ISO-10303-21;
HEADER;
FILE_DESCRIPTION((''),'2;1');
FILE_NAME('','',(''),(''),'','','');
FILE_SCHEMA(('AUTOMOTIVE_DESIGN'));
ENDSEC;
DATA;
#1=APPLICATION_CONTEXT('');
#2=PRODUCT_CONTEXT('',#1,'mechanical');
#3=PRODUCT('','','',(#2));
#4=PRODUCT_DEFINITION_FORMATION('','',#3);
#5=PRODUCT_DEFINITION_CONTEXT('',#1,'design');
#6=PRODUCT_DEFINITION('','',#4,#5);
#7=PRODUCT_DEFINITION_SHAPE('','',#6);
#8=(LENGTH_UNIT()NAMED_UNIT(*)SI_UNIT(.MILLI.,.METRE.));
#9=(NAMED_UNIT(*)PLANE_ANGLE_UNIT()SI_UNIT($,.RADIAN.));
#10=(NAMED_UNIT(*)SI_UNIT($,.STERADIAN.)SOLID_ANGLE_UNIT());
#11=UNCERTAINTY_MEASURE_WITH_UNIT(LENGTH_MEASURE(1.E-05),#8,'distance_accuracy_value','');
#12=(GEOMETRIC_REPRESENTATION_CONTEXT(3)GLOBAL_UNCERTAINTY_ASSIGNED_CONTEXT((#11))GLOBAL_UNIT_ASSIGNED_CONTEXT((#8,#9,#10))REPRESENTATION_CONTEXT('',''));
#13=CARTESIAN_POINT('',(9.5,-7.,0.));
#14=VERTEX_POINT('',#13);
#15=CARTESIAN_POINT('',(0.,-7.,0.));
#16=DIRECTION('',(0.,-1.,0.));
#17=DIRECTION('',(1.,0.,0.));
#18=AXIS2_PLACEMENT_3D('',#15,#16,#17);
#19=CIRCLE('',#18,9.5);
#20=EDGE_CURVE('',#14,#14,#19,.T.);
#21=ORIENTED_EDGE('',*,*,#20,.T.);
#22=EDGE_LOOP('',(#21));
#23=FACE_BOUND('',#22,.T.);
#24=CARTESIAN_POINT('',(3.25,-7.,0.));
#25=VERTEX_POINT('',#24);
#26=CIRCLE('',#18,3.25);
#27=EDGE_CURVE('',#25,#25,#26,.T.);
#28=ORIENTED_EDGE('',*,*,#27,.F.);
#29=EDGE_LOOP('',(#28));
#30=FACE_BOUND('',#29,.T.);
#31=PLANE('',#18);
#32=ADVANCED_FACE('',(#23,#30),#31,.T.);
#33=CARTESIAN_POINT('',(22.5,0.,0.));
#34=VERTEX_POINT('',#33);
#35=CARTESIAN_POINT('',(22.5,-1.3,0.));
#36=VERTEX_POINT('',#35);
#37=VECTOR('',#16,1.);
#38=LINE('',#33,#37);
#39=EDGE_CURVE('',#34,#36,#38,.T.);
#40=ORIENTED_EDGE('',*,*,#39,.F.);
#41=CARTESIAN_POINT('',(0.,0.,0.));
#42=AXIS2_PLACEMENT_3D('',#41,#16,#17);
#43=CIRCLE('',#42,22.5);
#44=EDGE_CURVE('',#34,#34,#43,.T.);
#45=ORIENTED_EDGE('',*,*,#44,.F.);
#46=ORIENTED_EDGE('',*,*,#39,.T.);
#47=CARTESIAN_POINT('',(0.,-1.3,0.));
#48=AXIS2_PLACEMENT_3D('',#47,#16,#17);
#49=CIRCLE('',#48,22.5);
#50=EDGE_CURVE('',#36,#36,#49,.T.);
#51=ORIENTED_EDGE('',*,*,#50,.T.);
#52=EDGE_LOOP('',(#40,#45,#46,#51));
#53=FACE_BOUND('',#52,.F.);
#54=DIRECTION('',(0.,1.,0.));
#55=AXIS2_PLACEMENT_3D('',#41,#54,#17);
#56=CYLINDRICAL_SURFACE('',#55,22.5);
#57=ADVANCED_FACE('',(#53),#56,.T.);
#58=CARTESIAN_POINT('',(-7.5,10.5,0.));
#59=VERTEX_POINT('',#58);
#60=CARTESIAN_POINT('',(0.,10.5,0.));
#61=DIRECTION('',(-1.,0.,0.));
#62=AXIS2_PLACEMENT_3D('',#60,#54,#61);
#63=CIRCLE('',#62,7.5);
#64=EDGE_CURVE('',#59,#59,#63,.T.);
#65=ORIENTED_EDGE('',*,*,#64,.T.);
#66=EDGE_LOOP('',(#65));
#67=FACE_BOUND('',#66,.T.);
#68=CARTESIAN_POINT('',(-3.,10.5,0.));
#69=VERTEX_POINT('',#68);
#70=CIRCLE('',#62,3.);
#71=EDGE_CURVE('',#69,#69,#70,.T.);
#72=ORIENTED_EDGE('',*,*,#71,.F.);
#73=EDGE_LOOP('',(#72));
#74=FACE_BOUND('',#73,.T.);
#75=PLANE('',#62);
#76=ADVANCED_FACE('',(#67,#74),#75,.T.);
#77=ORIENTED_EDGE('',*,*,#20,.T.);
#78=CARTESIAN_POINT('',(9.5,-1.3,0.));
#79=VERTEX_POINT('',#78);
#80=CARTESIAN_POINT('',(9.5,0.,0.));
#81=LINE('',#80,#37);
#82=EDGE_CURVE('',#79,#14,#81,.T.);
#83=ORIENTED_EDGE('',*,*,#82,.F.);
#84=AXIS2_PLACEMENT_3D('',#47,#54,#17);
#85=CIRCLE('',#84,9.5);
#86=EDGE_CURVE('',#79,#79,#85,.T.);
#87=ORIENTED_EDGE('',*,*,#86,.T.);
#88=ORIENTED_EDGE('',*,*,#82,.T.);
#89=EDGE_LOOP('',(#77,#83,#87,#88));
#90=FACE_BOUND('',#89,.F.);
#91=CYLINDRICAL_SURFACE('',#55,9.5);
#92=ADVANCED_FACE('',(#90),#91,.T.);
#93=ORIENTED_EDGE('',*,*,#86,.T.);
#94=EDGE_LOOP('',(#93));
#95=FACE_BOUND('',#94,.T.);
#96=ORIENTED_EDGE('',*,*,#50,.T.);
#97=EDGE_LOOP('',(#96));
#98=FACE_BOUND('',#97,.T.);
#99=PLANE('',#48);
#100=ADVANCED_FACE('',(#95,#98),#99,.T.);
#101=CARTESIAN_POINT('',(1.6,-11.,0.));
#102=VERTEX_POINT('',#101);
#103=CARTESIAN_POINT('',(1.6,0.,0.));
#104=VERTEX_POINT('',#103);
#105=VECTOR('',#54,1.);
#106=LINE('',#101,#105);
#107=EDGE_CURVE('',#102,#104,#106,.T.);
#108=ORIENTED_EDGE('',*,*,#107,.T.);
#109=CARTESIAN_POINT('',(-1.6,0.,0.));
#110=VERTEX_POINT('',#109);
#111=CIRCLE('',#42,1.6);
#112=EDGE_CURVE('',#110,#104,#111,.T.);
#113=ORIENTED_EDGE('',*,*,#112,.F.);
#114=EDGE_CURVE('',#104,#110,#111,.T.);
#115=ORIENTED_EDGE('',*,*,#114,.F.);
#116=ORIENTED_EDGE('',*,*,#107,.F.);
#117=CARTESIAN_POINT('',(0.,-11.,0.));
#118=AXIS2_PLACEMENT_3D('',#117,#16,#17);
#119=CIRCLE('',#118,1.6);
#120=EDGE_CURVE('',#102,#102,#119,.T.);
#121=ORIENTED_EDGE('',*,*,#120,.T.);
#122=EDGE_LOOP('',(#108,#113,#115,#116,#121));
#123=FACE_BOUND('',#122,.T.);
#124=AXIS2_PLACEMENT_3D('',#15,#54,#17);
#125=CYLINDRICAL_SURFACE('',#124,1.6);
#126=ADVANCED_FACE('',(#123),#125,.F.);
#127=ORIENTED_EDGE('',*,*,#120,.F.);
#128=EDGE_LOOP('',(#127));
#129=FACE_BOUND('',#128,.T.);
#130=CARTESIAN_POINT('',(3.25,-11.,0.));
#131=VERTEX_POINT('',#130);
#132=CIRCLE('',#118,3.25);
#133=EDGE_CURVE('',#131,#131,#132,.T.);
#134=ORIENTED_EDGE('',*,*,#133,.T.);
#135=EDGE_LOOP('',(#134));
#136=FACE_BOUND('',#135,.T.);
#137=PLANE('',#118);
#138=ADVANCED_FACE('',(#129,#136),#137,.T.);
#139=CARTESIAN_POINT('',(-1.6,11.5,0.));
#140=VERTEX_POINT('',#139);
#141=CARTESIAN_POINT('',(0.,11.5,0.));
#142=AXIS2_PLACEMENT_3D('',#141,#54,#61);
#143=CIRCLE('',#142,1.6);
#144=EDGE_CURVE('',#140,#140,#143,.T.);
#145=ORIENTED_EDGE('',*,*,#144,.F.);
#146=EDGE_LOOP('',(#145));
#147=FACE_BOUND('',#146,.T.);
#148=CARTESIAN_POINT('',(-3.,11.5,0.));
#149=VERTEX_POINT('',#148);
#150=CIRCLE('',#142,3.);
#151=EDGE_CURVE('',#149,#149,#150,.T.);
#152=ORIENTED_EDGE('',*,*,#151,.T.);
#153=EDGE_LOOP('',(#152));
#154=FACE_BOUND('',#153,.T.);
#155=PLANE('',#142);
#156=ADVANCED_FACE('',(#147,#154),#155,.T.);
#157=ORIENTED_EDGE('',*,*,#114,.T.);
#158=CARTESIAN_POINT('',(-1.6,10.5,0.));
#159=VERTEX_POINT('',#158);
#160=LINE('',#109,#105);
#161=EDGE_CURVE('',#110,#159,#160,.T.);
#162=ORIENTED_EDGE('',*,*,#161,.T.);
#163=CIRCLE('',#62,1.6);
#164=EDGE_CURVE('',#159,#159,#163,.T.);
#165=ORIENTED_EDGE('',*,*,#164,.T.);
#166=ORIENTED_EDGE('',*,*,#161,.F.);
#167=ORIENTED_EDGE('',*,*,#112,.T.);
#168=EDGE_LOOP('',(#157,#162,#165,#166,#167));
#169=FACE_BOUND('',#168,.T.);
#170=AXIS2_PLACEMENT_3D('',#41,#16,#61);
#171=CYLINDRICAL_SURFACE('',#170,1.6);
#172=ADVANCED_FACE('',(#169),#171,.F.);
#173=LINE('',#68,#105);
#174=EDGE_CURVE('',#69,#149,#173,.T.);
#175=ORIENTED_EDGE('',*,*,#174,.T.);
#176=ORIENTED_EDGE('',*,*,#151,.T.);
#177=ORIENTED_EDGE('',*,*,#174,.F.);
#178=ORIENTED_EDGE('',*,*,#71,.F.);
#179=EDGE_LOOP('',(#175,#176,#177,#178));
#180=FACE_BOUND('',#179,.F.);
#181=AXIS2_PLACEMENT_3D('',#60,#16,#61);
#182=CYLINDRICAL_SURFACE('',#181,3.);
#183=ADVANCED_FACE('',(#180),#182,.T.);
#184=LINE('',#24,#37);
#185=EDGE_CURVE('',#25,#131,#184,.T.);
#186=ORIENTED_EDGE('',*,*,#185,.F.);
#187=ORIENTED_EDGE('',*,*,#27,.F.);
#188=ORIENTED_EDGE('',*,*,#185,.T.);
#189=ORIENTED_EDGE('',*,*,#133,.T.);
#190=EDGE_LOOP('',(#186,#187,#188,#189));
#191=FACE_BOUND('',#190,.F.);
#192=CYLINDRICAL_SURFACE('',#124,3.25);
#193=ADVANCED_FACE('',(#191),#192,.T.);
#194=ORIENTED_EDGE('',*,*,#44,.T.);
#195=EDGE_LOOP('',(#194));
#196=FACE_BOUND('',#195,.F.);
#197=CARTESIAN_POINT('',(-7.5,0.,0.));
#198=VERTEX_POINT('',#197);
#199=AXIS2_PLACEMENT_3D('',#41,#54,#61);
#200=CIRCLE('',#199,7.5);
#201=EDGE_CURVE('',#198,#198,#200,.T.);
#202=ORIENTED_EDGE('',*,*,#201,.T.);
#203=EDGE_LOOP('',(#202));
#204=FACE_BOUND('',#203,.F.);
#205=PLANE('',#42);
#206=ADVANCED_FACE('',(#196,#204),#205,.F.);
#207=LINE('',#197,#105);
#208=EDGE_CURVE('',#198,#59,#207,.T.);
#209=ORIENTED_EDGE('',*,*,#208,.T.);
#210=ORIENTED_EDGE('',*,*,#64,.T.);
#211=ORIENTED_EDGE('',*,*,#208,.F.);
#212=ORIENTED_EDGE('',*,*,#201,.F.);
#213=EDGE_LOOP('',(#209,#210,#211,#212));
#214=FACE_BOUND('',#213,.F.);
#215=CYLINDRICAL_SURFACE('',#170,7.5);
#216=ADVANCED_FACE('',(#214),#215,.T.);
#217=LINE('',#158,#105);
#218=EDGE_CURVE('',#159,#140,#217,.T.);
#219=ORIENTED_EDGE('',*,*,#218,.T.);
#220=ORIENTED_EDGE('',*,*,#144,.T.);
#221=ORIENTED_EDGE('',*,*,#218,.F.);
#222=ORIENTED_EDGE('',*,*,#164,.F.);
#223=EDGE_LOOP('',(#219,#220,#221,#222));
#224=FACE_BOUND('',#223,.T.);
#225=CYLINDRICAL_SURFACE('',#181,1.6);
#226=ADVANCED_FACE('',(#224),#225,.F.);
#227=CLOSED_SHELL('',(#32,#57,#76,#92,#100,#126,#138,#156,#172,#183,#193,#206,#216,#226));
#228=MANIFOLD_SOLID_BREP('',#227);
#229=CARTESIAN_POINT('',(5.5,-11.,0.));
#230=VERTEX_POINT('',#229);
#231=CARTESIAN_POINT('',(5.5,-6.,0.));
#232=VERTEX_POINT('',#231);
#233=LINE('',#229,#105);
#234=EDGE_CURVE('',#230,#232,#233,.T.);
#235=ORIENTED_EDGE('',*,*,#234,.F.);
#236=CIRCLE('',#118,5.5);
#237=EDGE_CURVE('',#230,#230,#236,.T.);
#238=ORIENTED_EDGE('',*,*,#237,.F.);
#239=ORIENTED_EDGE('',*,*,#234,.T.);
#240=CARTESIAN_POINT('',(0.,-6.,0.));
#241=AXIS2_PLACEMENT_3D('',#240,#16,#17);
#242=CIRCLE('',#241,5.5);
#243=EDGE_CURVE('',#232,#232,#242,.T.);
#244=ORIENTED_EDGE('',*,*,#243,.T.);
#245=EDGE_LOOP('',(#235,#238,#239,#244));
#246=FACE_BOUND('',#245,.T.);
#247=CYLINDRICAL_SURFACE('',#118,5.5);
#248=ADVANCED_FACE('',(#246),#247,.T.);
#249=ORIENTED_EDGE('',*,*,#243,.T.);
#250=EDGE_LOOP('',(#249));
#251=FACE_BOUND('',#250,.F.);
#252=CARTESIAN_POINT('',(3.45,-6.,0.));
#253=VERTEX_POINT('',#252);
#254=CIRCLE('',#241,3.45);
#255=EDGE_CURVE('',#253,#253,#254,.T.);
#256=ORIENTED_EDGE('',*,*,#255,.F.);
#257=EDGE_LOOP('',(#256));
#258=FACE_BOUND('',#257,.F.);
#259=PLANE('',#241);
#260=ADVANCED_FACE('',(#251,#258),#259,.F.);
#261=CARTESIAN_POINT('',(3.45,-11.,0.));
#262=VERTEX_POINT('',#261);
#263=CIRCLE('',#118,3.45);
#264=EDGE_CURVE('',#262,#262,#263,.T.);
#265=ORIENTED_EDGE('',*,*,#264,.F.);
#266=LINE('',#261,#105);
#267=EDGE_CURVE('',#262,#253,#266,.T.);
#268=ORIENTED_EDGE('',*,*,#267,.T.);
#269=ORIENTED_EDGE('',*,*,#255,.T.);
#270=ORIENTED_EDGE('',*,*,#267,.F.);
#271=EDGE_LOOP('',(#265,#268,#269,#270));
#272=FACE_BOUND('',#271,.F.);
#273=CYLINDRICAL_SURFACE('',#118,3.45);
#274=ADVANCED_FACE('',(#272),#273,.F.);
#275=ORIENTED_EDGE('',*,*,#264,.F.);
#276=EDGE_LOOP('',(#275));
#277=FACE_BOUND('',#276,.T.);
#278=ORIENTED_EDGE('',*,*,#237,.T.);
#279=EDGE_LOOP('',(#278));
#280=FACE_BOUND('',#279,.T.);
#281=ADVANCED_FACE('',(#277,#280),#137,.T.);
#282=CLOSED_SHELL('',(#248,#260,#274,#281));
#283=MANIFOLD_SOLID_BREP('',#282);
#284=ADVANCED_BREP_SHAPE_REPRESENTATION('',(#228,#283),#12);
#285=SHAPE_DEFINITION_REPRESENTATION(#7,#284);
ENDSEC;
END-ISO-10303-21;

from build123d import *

# Parameters (mm, degrees)
F0_R      = 22.5
F0_R_2    = 9.5
F0_R_3    = 1.6
F1_DEPTH  = 1.3
F2_DEPTH  = 7
F3_R      = 3.25
F3_R_2    = 1.6
F4_DEPTH  = 4
F5_R      = 7.5
F5_R_2    = 1.6
F6_DEPTH  = 10.5
F7_R      = 3
F7_R_2    = 1.6
F8_DEPTH  = 1
F9_R      = 5.5
F9_R_2    = 3.45
F10_DEPTH = 5


with BuildPart() as f1:
    # F0 (on Front) → F1 (new body)
    with BuildSketch(Plane.XZ):
        Circle(F0_R)
        Circle(F0_R_2, mode=Mode.SUBTRACT)
        Circle(F0_R_2)
        Circle(F0_R_3, mode=Mode.SUBTRACT)
    extrude(amount=F1_DEPTH)

    # F0 (on Front) → F2 (join)
    with BuildSketch(Plane.XZ):
        Circle(F0_R_2)
        Circle(F0_R_3, mode=Mode.SUBTRACT)
    extrude(amount=F2_DEPTH)

    # F3 (on face) → F4 (join)
    with BuildSketch(Plane.XZ.offset(7)):
        Circle(F3_R)
        Circle(F3_R_2, mode=Mode.SUBTRACT)
    extrude(amount=F4_DEPTH)

    # F5 (on face) → F6 (join)
    with BuildSketch(Plane(origin=(0, 0, 0), x_dir=(-1, 0, 0), z_dir=(0, 1, 0))):
        Circle(F5_R)
        Circle(F5_R_2, mode=Mode.SUBTRACT)
    extrude(amount=F6_DEPTH)

    # F7 (on face) → F8 (join)
    with BuildSketch(Plane(origin=(0, 10.5, 0), x_dir=(-1, 0, 0), z_dir=(0, 1, 0))):
        Circle(F7_R)
        Circle(F7_R_2, mode=Mode.SUBTRACT)
    extrude(amount=F8_DEPTH)


with BuildPart() as f10:
    # F9 (on face) → F10 (new body)
    with BuildSketch(Plane.XZ.offset(11)):
        Circle(F9_R)
        Circle(F9_R_2, mode=Mode.SUBTRACT)
    extrude(amount=-F10_DEPTH)


solid = Compound([f1.part, f10.part])
